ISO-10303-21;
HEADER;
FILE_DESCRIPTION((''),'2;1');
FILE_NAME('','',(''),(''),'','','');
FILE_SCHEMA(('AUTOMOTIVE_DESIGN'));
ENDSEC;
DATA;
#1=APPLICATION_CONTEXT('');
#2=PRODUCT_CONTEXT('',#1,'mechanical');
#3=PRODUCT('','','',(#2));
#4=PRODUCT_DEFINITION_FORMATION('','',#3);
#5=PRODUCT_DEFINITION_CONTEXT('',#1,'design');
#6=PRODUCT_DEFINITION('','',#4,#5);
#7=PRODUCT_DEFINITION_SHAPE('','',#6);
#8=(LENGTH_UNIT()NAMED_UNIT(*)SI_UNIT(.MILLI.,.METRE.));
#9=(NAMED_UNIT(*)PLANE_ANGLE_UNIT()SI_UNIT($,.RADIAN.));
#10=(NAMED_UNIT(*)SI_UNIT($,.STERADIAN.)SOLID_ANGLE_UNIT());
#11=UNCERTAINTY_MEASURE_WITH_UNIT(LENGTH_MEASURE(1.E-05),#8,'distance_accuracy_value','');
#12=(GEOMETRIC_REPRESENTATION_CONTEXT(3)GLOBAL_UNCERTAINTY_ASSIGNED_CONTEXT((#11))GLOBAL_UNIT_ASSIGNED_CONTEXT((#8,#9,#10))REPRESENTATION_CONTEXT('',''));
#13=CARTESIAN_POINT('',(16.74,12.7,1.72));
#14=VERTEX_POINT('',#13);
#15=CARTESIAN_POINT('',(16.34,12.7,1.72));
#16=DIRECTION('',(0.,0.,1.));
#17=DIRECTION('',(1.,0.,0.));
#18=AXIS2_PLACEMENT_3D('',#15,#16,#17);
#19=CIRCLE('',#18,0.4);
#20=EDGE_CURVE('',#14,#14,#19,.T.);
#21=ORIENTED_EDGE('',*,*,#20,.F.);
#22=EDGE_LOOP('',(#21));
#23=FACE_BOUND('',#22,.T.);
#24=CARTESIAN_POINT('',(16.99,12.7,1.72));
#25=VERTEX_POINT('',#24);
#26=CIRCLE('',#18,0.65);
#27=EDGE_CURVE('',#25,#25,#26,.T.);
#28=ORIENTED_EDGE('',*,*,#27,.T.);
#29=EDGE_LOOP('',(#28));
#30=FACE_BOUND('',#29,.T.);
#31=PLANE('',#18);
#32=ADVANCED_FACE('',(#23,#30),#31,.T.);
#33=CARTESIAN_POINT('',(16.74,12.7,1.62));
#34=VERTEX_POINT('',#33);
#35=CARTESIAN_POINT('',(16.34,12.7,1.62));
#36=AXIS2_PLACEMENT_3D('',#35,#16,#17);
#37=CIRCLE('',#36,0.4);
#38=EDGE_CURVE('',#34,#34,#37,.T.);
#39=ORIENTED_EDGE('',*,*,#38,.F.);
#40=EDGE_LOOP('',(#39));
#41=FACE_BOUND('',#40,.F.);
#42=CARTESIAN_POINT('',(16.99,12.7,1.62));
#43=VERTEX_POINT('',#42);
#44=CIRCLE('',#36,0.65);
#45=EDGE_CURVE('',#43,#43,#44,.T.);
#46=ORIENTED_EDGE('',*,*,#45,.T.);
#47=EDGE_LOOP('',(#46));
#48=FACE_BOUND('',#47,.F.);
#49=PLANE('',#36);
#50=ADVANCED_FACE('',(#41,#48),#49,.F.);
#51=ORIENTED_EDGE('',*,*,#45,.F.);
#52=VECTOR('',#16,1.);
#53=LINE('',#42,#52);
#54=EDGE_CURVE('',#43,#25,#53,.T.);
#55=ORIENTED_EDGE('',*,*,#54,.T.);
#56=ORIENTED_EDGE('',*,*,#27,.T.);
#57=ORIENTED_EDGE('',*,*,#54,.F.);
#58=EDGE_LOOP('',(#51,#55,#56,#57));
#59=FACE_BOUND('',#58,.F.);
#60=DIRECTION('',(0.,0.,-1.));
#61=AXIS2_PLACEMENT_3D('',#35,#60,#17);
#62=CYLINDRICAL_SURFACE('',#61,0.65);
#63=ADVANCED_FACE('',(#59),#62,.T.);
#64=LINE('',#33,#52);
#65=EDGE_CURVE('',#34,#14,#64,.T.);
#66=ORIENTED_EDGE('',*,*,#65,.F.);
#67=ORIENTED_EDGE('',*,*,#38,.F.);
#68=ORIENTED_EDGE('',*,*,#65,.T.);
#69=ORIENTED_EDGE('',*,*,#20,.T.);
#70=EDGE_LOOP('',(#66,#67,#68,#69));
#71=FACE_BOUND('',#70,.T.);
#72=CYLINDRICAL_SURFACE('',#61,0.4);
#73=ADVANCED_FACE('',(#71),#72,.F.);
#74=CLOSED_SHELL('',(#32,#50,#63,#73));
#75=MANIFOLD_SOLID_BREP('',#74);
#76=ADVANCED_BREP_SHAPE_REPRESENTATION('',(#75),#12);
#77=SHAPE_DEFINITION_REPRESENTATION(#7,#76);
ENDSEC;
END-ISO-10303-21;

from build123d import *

# Parameters (mm, degrees)
CYLINDER007_R     = 0.4
CYLINDER007_DEPTH = 0.1
CYLINDER006_R     = 0.65
CYLINDER006_DEPTH = 0.1


with BuildPart() as cylinder007:
    # Cylinder007 → Cylinder007 (new body)
    with BuildSketch(Plane.XY.offset(1.62)):
        Circle(CYLINDER007_R)
    extrude(amount=CYLINDER007_DEPTH)


with BuildPart() as cut011:
    # Cylinder006 → Cylinder006 (new body)
    with BuildSketch(Plane.XY.offset(1.62)):
        Circle(CYLINDER006_R)
    extrude(amount=CYLINDER006_DEPTH)

    # Cut011: cut Cylinder007
    add(cylinder007.part, mode=Mode.SUBTRACT)


with BuildPart() as cut011_1:
    # Cut011 placement: moved
    add(cut011.part.moved(Location((16.34, 12.7, 0))))


solid = cut011_1.part
